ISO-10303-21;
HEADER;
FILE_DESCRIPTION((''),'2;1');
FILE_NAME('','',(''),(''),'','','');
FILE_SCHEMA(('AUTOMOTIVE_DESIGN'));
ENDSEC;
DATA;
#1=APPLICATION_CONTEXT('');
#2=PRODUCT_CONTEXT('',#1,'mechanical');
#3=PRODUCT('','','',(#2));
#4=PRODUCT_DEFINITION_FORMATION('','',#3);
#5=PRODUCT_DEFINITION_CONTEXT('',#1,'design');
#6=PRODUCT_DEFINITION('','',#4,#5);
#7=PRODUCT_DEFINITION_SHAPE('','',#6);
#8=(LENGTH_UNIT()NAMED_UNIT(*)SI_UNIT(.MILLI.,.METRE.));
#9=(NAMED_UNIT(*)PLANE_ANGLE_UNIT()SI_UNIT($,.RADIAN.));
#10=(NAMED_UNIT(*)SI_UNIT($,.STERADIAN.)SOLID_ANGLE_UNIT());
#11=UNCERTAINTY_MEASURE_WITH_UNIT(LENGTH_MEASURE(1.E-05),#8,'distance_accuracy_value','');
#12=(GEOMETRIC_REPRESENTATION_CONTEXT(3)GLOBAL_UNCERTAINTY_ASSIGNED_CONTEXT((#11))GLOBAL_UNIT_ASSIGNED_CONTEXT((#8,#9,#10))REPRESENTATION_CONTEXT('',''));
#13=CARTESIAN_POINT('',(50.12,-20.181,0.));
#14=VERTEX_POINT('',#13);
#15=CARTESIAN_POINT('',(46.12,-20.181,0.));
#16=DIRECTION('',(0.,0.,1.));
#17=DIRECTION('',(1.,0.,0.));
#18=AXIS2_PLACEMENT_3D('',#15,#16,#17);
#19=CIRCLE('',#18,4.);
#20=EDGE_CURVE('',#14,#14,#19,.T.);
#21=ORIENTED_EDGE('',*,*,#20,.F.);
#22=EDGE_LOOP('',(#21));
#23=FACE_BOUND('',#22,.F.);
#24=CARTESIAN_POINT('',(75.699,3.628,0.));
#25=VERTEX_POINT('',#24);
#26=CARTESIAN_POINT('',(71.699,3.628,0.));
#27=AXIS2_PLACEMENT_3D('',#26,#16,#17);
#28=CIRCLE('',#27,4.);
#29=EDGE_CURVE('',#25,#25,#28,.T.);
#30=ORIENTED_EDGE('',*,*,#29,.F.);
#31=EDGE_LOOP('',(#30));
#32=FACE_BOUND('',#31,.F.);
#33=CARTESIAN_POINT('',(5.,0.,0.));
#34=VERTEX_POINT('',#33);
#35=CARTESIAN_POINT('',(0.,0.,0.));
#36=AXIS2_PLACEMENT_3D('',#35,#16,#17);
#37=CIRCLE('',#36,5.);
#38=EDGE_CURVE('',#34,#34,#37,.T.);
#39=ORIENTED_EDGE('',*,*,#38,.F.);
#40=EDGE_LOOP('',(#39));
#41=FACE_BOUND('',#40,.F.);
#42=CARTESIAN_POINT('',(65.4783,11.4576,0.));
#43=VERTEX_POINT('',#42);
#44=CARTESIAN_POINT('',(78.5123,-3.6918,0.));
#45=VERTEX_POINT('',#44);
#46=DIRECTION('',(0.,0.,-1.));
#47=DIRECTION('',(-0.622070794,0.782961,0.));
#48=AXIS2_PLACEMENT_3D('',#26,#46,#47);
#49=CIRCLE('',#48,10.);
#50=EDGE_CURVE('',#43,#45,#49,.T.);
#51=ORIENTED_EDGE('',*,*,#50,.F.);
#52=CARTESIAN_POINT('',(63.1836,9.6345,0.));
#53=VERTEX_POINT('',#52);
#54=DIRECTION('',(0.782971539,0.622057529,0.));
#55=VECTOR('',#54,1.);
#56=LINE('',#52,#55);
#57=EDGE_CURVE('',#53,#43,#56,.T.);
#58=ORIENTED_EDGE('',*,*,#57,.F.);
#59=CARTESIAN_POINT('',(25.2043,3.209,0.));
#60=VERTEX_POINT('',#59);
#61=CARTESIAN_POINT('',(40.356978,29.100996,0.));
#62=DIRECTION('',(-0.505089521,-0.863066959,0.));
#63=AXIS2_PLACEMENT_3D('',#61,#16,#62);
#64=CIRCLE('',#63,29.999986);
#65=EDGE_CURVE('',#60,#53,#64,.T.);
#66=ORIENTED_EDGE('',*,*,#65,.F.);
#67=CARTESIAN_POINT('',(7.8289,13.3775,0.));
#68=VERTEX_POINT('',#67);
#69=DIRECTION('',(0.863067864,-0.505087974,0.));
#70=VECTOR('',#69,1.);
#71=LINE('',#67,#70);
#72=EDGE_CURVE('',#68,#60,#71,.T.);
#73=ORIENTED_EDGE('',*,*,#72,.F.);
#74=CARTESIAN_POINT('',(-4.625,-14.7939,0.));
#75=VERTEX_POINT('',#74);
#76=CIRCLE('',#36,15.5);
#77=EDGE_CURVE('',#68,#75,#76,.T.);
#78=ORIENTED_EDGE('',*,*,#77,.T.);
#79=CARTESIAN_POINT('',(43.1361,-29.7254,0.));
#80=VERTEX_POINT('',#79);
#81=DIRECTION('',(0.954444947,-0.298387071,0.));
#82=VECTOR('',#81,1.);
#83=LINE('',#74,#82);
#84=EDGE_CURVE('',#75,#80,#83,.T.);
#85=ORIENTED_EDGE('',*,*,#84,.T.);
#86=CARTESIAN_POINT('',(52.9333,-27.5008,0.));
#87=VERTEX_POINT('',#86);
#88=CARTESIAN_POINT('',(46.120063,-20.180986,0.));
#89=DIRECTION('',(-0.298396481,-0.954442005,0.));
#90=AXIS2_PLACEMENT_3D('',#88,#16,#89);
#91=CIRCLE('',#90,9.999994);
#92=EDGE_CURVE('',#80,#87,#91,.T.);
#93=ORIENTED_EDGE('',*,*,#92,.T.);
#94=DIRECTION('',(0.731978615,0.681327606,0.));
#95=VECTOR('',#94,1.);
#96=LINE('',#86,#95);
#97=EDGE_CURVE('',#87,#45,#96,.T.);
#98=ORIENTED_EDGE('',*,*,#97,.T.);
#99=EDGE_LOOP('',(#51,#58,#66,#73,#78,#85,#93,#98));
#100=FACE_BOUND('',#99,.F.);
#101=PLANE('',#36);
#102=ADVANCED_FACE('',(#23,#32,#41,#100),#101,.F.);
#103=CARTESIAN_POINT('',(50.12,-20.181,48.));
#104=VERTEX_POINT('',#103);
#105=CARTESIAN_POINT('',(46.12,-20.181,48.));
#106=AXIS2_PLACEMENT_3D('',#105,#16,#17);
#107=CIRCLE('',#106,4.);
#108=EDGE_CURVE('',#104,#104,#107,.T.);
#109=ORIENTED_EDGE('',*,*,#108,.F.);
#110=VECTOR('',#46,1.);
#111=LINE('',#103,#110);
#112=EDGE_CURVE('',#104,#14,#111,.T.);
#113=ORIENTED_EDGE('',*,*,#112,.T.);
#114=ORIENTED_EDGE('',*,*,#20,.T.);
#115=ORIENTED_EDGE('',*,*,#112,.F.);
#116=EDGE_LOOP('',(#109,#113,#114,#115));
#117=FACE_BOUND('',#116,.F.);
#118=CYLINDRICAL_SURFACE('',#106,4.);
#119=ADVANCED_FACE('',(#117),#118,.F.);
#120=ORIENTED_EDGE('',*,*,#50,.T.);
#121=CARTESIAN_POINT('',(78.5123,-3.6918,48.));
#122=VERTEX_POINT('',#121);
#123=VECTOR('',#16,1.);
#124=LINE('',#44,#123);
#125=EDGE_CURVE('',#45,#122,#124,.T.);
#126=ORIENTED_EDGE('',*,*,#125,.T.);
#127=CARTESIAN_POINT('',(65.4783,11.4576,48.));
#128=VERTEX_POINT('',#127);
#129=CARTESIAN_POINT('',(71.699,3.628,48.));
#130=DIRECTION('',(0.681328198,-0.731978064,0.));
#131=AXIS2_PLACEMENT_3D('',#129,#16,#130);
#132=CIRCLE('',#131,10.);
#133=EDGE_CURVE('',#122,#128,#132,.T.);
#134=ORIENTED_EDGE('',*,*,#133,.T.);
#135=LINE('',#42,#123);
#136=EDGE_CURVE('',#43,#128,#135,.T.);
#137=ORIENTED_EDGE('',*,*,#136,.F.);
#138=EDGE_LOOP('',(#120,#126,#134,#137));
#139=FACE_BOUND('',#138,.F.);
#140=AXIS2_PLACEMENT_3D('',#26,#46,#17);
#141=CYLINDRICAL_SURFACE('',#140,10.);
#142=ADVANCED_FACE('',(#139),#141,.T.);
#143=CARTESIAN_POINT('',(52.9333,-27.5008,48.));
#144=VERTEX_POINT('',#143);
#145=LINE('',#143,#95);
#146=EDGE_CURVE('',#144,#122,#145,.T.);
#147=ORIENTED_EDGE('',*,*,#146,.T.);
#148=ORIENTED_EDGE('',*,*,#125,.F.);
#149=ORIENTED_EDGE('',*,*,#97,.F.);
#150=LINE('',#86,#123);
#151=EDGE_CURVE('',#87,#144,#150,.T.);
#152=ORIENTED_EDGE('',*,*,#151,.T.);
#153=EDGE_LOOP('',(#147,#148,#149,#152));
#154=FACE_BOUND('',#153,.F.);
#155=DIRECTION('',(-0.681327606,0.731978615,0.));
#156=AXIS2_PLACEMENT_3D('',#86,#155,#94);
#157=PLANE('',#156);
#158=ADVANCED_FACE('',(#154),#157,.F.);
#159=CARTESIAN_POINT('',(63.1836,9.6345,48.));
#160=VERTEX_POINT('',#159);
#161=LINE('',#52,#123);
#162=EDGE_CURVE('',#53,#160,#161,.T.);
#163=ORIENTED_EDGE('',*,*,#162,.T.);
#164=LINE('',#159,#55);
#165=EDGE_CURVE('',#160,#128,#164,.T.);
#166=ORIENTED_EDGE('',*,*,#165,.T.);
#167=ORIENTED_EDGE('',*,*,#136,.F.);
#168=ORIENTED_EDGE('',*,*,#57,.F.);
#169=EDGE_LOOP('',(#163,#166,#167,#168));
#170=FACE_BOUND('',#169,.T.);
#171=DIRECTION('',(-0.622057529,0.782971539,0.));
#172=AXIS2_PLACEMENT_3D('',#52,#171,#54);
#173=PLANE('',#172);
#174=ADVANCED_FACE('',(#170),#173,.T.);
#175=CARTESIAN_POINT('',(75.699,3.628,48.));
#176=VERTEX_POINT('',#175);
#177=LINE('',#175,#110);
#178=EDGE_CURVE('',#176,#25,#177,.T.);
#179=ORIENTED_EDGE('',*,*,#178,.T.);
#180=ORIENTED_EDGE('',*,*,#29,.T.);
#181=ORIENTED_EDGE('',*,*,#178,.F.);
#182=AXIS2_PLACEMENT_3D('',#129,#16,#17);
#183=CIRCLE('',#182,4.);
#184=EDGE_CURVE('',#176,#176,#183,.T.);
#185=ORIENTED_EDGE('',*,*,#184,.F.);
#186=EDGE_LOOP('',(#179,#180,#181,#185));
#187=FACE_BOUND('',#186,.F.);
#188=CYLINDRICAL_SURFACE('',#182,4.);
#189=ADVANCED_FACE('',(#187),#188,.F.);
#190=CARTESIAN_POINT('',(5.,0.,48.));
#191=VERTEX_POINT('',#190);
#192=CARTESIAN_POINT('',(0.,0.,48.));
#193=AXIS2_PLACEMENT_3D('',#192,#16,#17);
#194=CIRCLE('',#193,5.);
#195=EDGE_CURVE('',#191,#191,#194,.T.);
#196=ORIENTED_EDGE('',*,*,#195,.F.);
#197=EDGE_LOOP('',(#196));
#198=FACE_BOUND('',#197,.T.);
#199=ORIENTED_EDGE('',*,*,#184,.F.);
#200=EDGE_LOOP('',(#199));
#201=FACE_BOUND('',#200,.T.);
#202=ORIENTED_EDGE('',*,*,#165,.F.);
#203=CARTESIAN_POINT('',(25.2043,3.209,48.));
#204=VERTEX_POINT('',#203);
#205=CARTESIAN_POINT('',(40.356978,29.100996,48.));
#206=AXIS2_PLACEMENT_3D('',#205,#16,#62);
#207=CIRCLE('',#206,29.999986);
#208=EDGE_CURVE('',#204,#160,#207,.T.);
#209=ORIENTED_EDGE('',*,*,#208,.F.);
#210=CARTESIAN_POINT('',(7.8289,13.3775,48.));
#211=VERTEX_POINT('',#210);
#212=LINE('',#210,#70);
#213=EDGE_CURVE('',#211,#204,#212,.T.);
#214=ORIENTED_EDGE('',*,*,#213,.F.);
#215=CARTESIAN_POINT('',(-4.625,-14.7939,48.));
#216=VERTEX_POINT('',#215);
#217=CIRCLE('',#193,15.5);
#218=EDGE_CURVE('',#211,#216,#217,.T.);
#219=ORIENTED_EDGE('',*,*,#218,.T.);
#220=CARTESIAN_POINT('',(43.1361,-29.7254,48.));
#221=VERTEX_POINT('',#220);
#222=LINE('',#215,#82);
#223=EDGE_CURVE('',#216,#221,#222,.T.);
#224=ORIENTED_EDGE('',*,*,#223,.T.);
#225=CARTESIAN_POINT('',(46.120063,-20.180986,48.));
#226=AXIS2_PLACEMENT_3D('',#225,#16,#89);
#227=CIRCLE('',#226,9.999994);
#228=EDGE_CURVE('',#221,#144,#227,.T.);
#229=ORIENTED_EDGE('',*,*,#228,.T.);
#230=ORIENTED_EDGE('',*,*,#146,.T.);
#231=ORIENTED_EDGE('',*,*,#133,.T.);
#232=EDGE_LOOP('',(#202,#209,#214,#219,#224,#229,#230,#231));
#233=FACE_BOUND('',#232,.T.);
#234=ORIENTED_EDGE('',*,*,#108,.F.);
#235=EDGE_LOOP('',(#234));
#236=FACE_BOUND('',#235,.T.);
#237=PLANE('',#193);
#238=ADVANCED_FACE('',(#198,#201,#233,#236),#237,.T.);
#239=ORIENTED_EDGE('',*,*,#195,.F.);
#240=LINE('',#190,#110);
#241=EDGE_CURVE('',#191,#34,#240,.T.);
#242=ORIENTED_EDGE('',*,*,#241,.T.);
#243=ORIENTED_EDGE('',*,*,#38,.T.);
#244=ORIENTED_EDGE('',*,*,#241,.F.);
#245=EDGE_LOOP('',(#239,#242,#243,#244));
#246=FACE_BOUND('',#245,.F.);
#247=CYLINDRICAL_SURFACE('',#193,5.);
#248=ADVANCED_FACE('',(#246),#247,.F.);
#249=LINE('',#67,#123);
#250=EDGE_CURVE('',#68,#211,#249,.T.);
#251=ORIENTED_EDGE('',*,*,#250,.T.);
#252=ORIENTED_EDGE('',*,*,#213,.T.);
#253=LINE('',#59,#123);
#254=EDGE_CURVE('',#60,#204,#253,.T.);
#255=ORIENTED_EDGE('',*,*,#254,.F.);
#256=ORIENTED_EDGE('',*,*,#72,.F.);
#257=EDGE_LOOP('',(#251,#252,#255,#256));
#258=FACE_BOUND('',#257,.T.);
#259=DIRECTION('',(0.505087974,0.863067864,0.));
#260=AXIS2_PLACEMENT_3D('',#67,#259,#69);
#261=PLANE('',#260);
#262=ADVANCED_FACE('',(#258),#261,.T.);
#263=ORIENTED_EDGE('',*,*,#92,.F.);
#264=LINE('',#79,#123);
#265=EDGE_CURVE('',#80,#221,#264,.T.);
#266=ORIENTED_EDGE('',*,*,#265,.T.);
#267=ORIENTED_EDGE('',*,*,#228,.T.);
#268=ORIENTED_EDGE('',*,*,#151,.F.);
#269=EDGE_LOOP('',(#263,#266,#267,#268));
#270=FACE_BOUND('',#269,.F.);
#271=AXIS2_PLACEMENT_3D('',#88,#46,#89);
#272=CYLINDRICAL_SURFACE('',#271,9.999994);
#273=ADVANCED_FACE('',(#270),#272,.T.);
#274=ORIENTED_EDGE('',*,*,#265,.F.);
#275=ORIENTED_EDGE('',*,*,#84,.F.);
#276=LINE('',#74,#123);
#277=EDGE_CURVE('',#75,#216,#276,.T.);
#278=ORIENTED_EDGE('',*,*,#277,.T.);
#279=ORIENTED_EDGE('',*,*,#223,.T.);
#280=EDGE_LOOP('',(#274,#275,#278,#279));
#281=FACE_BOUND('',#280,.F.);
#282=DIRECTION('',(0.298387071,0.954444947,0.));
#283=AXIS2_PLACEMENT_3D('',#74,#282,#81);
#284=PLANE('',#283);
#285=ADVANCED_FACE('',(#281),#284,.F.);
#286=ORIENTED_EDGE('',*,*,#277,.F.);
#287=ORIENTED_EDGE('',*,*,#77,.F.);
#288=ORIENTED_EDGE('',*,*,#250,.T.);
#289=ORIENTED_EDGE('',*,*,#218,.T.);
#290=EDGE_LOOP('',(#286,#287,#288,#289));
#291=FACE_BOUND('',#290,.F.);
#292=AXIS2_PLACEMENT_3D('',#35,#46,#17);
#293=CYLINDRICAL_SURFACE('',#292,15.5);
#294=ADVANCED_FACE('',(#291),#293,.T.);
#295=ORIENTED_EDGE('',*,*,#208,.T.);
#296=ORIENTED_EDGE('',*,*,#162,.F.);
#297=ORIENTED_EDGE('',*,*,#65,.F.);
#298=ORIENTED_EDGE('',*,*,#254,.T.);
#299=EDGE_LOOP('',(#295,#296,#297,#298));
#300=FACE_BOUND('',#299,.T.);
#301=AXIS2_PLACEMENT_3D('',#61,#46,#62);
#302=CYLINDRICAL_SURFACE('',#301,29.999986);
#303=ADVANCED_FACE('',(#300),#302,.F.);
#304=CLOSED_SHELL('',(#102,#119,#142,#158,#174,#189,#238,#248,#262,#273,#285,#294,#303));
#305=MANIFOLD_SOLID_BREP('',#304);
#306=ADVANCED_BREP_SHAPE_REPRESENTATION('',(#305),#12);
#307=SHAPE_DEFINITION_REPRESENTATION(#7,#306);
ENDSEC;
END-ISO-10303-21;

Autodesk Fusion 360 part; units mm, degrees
sketch "Sketch1" plane through (0, 0, 0) normal (0, 0, 1) x (1, 0, 0)
  circle A0 centre (0, 0) radius 15.5
  circle A1 centre (71.699, 3.628) radius 10
  line L0 (-4.625, -14.7939) -> (43.1361, -29.7254)
  line L1 (52.9333, -27.5008) -> (78.5123, -3.6918)
  arc A2 (43.1361, -29.7254) -> (52.9333, -27.5008) centre (46.12, -20.181) ccw
  line L2 (7.8289, 13.3775) -> (25.2043, 3.209)
  arc A3 (25.2043, 3.209) -> (63.1836, 9.6345) centre (40.357, 29.101) ccw
  line L3 (63.1836, 9.6345) -> (65.4783, 11.4576)
  dimension "d1" = 10
  dimension "d2" = 31
  dimension "d3" = 20
  dimension "d4" = 3.628
  dimension "d5" = 71.699
  dimension "d6" = 40.357
  dimension "d7" = 30
  dimension "d9" = 20.181
  dimension "d10" = 46.12
  dimension "d12" = 29.101
extrude "Extrude1" add sketch "Sketch1" along normal blind 48
sketch "Sketch2" plane through (0, 0, 48) normal (0, 0, 1) x (1, 0, 0)
  arc A0 (7.8289, 13.3775) -> (-4.625, -14.7939) centre (0, 0) ccw
  line L0 (-4.625, -14.7939) -> (43.1361, -29.7254)
  arc A1 (43.1361, -29.7254) -> (52.9333, -27.5008) centre (46.12, -20.181) ccw
  line L1 (52.9333, -27.5008) -> (78.5123, -3.6918)
  arc A2 (78.5123, -3.6918) -> (65.4783, 11.4576) centre (71.699, 3.628) ccw
  line L2 (65.4783, 11.4576) -> (63.1836, 9.6345)
  arc A3 (25.2043, 3.209) -> (63.1836, 9.6345) centre (40.357, 29.101) ccw
  line L3 (25.2043, 3.209) -> (7.8289, 13.3775)
  circle A4 centre (0, 0) radius 5
  circle A5 centre (46.12, -20.181) radius 4
  circle A6 centre (71.699, 3.628) radius 4
  dimension "d19" = 8
  dimension "d20" = 8
extrude "Extrude2" cut sketch "Sketch2" against normal blind 48 contours A4 | A5 | A6
